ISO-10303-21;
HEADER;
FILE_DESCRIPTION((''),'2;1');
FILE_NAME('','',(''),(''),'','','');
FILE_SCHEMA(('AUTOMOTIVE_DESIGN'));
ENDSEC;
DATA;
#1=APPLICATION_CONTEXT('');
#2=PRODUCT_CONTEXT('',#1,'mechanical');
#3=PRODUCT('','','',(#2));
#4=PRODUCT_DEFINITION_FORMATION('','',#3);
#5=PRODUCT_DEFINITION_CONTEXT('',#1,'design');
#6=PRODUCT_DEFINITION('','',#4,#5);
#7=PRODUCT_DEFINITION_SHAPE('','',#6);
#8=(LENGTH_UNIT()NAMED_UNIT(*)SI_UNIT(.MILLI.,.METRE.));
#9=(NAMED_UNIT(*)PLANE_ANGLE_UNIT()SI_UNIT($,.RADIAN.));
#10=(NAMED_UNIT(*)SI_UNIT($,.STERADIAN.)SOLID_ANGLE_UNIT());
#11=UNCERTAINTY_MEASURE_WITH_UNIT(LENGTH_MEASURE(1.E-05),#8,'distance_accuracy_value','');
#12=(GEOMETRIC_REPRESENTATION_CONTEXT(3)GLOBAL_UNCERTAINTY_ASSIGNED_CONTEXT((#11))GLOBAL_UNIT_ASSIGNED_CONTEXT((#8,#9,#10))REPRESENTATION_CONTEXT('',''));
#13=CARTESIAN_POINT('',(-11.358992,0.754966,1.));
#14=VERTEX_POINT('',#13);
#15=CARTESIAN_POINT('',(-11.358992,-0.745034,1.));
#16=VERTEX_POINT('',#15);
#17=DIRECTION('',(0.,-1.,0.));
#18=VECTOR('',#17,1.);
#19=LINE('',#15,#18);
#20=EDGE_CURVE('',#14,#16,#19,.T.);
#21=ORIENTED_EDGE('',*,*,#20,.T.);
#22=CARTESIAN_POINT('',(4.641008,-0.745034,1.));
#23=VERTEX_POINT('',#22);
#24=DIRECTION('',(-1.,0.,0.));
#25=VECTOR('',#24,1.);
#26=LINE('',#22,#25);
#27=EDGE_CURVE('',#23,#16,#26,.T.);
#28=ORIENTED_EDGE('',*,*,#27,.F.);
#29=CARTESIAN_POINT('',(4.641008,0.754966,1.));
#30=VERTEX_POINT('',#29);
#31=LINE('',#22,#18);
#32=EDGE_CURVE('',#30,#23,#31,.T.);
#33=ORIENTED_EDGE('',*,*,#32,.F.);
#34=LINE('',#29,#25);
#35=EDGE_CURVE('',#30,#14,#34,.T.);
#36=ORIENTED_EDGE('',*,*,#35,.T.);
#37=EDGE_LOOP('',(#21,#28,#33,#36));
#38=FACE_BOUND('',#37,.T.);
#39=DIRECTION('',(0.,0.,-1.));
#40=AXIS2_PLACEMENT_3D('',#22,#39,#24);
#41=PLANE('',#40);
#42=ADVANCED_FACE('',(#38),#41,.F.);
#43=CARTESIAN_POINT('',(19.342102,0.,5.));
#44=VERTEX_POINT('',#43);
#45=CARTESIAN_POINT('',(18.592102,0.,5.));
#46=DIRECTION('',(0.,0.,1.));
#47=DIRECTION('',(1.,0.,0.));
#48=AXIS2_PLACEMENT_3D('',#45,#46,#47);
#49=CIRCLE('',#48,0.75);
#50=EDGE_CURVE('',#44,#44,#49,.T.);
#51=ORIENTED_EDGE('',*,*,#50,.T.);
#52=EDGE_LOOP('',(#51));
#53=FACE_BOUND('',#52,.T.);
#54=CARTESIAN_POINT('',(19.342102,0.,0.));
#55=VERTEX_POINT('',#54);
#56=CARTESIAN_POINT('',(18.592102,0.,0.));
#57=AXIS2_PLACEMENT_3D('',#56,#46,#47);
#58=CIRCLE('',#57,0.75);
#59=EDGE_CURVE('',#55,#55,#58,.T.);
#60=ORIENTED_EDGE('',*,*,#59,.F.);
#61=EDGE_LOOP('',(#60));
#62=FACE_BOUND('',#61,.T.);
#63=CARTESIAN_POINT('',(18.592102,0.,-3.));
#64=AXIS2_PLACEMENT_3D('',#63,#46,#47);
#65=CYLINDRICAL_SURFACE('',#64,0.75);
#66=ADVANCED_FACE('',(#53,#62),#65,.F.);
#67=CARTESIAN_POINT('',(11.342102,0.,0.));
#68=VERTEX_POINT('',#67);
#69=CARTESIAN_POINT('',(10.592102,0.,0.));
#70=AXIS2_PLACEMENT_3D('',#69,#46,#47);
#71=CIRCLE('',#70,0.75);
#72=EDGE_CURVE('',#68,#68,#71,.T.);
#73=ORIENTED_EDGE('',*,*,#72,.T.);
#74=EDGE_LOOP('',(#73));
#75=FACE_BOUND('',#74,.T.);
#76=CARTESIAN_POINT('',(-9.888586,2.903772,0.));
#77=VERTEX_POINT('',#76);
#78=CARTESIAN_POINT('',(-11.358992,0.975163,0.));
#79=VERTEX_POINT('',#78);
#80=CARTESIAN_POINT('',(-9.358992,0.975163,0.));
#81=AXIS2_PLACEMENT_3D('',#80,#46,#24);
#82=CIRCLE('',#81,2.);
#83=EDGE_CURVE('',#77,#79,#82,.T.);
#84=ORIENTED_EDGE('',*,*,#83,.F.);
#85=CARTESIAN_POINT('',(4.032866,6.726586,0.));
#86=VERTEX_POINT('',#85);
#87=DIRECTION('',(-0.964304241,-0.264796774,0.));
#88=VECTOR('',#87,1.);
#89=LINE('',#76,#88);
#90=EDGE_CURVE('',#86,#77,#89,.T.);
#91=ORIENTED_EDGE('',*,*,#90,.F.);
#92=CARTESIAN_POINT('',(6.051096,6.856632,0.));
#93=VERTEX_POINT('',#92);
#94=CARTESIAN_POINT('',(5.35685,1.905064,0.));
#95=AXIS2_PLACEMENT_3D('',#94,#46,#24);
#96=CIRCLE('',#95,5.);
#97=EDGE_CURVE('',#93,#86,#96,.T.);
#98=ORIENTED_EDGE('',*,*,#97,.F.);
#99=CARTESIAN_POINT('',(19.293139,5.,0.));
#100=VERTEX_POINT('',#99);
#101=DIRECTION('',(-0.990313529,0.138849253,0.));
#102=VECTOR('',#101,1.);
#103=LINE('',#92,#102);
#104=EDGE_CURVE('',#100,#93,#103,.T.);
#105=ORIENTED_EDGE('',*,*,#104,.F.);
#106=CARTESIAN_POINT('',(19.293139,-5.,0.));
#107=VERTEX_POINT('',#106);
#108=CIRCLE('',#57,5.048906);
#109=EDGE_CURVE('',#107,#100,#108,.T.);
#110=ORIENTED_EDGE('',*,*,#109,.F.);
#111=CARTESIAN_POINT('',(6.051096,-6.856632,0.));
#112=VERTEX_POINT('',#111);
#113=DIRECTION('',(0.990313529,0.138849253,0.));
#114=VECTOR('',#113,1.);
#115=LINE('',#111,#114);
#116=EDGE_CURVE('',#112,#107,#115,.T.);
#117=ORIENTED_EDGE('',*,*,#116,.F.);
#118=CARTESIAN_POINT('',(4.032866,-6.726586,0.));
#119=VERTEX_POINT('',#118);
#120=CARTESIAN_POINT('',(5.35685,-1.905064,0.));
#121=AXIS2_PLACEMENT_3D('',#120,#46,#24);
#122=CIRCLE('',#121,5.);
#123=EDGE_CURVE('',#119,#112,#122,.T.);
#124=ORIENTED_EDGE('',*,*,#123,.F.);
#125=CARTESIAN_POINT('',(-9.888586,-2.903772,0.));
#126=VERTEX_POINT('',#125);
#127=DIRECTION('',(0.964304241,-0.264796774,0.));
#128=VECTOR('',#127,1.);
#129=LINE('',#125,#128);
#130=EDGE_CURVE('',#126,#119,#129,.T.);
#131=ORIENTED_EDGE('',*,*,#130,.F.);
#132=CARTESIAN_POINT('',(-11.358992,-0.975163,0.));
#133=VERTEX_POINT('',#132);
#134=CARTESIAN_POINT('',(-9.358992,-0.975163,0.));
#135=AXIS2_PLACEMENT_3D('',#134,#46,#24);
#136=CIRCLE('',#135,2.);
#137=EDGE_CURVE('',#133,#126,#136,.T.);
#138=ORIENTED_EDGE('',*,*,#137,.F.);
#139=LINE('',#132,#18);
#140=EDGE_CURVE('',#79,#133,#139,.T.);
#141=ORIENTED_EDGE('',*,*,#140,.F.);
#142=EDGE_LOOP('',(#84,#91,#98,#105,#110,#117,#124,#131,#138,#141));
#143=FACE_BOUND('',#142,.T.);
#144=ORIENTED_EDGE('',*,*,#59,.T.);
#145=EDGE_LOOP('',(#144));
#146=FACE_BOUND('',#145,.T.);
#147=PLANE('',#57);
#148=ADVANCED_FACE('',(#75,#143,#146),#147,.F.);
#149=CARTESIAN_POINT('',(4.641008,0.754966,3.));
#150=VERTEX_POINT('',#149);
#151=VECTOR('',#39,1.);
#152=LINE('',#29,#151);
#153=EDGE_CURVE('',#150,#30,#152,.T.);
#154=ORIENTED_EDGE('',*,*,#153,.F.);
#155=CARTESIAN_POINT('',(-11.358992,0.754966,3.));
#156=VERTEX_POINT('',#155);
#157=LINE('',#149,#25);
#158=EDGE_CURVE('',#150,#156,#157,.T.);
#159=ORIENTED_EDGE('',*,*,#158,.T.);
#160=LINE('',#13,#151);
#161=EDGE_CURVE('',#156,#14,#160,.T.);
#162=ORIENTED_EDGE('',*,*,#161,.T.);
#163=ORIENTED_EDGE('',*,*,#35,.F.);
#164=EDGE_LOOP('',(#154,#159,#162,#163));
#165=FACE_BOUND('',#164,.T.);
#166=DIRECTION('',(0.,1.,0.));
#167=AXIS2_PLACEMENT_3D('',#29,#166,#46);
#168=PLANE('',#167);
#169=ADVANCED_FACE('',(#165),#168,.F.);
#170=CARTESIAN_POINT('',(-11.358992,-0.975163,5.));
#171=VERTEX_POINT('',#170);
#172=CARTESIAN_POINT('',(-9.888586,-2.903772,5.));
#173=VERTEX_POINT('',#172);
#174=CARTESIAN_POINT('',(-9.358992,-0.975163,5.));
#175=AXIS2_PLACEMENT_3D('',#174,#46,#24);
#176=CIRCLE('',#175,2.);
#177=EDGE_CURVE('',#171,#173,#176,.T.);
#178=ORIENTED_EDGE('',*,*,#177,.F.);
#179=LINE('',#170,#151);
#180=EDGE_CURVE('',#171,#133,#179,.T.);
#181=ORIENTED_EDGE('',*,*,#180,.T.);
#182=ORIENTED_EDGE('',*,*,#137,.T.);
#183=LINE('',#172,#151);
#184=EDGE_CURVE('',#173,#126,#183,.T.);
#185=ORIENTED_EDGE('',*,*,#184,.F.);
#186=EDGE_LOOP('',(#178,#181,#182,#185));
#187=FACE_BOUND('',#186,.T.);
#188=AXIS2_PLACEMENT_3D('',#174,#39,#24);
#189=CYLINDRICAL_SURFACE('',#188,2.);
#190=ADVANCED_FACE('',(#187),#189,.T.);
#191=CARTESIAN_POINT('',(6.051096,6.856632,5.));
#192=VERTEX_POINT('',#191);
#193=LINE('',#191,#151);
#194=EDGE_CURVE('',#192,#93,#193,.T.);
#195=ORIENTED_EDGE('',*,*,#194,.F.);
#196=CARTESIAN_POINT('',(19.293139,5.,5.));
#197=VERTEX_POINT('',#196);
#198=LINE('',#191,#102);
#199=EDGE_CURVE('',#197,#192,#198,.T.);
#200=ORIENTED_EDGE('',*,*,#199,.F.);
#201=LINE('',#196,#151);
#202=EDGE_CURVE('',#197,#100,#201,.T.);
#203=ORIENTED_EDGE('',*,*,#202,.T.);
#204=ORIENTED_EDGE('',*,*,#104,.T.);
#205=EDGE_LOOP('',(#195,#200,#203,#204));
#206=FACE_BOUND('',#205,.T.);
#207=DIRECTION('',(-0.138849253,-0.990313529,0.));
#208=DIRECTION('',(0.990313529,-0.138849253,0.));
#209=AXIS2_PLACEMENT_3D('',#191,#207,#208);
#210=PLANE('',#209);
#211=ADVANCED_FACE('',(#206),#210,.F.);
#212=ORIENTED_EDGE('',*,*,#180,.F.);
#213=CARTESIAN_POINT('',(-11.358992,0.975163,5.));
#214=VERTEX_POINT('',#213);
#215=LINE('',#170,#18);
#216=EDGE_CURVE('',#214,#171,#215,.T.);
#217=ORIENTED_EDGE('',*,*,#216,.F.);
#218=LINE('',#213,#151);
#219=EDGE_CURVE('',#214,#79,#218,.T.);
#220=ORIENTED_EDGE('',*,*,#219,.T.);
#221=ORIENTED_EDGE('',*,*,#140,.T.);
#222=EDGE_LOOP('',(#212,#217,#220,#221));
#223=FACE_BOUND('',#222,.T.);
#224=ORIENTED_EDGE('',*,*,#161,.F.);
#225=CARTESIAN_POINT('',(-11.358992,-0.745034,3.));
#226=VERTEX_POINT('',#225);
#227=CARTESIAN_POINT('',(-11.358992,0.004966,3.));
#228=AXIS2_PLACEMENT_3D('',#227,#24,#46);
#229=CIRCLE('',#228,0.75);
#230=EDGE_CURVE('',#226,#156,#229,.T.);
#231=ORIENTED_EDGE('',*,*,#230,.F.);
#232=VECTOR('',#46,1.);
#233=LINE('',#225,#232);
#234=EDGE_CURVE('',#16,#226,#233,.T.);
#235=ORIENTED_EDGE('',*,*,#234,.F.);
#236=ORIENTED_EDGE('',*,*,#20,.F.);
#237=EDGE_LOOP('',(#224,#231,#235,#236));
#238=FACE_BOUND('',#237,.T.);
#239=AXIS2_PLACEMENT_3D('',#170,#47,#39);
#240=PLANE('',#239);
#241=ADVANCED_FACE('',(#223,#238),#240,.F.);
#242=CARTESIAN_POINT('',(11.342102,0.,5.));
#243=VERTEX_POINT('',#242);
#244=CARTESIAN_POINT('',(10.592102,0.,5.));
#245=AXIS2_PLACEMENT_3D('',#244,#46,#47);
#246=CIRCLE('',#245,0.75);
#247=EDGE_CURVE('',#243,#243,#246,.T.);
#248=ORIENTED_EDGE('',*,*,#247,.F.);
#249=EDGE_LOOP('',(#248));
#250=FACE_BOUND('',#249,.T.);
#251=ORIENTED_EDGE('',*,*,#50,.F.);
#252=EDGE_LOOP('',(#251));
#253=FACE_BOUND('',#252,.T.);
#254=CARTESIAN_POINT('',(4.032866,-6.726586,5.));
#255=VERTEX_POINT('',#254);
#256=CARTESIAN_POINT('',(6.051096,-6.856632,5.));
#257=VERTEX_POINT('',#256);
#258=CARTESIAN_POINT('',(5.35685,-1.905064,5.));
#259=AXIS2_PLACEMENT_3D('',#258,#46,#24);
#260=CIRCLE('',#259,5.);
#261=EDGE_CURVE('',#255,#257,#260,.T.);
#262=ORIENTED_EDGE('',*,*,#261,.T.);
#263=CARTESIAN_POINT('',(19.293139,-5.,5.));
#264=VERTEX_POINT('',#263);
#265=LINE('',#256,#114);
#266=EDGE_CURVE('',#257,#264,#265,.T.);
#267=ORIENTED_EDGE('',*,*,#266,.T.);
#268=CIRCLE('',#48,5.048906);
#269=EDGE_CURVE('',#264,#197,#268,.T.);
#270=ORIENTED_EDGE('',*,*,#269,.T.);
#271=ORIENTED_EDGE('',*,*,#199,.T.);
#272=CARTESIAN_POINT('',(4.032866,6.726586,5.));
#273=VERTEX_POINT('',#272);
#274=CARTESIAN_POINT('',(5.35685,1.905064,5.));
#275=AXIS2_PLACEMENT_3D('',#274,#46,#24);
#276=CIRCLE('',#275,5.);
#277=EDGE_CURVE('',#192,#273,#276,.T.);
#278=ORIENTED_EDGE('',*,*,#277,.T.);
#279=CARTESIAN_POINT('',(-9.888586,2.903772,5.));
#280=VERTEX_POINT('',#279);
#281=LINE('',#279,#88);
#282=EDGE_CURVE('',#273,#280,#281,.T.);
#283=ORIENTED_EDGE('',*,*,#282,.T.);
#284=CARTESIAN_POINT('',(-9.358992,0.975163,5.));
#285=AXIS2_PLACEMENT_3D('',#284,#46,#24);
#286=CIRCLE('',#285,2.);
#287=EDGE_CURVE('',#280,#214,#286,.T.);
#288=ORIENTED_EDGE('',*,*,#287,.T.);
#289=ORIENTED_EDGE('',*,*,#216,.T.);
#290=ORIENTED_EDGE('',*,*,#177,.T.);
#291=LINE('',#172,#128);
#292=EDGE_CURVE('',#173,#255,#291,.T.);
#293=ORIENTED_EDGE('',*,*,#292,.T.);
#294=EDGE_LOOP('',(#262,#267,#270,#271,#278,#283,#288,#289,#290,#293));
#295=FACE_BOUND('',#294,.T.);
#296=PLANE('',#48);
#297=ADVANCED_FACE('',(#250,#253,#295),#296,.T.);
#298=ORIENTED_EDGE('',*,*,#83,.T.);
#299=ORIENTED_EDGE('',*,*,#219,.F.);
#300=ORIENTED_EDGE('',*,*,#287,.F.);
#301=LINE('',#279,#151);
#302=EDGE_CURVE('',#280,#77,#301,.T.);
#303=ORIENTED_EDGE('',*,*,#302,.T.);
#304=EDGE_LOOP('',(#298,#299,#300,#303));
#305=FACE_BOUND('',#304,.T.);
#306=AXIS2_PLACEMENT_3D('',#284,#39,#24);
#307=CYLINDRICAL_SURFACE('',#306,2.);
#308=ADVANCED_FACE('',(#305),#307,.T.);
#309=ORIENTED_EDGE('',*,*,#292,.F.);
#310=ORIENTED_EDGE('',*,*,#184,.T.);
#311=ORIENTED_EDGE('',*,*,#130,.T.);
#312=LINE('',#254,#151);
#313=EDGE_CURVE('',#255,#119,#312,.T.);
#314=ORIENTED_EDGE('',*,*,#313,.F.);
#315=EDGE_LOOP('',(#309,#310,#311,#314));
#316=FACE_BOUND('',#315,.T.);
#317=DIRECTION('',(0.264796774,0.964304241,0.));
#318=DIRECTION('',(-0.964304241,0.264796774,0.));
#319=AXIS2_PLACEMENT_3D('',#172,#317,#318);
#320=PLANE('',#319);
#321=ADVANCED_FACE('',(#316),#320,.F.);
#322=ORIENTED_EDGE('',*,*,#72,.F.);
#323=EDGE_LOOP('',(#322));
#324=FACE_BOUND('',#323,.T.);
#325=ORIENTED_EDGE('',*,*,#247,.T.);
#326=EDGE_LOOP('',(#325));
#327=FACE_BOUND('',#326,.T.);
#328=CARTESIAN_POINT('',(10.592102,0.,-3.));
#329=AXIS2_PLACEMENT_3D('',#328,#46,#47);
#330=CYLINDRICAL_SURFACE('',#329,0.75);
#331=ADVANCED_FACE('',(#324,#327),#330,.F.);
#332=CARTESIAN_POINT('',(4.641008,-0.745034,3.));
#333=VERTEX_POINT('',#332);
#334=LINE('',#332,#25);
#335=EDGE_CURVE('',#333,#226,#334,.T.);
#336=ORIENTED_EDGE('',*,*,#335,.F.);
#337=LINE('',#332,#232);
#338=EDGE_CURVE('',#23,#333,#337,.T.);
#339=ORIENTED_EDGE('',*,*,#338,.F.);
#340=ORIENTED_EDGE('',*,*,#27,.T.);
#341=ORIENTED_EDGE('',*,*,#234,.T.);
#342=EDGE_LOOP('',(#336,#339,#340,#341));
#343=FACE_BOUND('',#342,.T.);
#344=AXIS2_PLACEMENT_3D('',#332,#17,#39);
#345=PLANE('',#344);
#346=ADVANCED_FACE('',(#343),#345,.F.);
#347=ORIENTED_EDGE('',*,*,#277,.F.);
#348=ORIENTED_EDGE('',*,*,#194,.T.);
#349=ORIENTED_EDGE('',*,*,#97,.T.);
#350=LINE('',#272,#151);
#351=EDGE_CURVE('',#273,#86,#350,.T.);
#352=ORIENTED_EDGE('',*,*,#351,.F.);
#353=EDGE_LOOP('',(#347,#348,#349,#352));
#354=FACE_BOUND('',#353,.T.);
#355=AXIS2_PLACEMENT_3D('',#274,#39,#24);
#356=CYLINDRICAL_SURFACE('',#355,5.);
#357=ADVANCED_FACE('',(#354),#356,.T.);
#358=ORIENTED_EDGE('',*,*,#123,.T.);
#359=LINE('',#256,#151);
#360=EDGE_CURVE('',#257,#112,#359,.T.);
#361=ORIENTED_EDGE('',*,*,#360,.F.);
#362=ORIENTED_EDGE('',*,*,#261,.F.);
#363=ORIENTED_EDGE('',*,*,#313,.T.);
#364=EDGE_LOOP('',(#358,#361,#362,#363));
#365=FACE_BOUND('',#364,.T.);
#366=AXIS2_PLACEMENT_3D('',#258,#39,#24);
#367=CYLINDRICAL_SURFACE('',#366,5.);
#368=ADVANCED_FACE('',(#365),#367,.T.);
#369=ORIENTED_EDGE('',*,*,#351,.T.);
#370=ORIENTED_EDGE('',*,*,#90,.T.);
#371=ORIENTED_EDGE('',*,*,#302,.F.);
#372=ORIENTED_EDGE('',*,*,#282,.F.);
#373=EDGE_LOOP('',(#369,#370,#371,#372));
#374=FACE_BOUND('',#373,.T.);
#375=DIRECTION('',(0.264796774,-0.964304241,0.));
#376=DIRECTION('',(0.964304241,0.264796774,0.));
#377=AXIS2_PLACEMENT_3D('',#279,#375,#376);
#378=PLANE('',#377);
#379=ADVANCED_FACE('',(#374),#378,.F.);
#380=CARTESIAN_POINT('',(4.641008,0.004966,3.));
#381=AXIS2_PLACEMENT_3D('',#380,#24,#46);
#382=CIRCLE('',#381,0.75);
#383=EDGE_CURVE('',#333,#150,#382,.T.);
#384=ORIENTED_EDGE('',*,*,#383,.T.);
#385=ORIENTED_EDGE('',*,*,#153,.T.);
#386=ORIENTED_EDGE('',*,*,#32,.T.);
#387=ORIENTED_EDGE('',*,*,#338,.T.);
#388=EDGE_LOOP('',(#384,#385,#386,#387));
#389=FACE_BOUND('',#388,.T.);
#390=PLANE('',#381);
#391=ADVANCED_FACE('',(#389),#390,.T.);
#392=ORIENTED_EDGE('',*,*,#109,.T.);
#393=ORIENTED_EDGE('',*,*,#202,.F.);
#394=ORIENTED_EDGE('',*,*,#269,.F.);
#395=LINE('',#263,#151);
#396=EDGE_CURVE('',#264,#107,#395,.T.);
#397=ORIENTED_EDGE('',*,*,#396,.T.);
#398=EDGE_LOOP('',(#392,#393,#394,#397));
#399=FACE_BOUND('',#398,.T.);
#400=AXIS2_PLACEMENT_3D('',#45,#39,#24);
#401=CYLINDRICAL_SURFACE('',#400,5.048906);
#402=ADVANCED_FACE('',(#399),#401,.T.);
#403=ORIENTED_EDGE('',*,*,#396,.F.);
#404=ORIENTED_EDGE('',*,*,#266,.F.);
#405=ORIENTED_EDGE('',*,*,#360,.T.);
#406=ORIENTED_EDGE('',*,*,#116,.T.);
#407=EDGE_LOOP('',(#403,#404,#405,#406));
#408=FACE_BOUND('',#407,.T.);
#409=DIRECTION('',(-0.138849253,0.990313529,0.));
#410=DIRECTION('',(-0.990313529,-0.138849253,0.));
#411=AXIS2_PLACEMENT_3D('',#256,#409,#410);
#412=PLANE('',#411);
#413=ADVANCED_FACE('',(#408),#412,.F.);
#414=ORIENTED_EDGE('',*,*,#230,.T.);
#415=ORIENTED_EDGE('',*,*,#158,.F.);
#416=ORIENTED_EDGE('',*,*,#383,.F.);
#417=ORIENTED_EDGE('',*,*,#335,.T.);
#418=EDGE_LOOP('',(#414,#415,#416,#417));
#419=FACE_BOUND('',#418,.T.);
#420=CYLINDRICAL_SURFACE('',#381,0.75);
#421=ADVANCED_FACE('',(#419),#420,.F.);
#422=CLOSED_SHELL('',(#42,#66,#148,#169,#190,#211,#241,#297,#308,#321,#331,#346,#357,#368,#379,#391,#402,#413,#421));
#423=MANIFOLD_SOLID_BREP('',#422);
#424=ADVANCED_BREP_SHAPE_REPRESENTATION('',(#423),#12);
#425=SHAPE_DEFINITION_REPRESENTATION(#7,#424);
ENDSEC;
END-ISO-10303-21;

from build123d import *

# Parameters (mm, degrees)
BOSS_EXTRUDE1_DEPTH = 5
CUT_EXTRUDE2_DEPTH  = 16
SKETCH3_R           = 0.75
CUT_EXTRUDE3_DEPTH  = 8


with BuildPart() as part:
    # Sketch1 → Boss-Extrude1 (new body)
    with BuildSketch(Plane.XY):
        with BuildLine():
            Line((-11.358992197, -0.975163345), (-11.358992197, 0.975163345))
            ThreePointArc((-11.358992197, 0.975163345), (-10.949461796, 2.187766517), (-9.888585744, 2.903771827))
            Line((-9.888585744, 2.903771827), (4.032865761, 6.726585506))
            ThreePointArc((4.032865761, 6.726585506), (5.035336984, 6.894716557), (6.051095895, 6.856631946))
            Line((6.051095895, 6.856631946), (19.293138558, 5))
            ThreePointArc((19.293138558, 5), (23.641007803, 0), (19.293138558, -5))
            Line((19.293138558, -5), (6.051095895, -6.856631946))
            ThreePointArc((6.051095895, -6.856631946), (5.035336984, -6.894716557), (4.032865761, -6.726585506))
            Line((4.032865761, -6.726585506), (-9.888585744, -2.903771827))
            ThreePointArc((-9.888585744, -2.903771827), (-10.949461796, -2.187766517), (-11.358992197, -0.975163345))
        make_face()
    extrude(amount=BOSS_EXTRUDE1_DEPTH)

    # Sketch2 → Cut-Extrude2 (cut)
    with BuildSketch(Plane.ZY.offset(11.358992197)):
        with BuildLine():
            Line((1, -0.745034354), (1, 0.754965646))
            Line((1, 0.754965646), (3, 0.754965646))
            ThreePointArc((3, 0.754965646), (3.75, 0.004965646), (3, -0.745034354))
            Line((3, -0.745034354), (1, -0.745034354))
        make_face()
    extrude(amount=-CUT_EXTRUDE2_DEPTH, mode=Mode.SUBTRACT)

    # Sketch3 → Cut-Extrude3 (cut)
    with BuildSketch(Plane.XY.offset(5)):
        with Locations((18.592101719, 0)):
            Circle(SKETCH3_R)
        with Locations((10.592101719, 0)):
            Circle(SKETCH3_R)
    extrude(amount=-CUT_EXTRUDE3_DEPTH, mode=Mode.SUBTRACT)


solid = part.part
